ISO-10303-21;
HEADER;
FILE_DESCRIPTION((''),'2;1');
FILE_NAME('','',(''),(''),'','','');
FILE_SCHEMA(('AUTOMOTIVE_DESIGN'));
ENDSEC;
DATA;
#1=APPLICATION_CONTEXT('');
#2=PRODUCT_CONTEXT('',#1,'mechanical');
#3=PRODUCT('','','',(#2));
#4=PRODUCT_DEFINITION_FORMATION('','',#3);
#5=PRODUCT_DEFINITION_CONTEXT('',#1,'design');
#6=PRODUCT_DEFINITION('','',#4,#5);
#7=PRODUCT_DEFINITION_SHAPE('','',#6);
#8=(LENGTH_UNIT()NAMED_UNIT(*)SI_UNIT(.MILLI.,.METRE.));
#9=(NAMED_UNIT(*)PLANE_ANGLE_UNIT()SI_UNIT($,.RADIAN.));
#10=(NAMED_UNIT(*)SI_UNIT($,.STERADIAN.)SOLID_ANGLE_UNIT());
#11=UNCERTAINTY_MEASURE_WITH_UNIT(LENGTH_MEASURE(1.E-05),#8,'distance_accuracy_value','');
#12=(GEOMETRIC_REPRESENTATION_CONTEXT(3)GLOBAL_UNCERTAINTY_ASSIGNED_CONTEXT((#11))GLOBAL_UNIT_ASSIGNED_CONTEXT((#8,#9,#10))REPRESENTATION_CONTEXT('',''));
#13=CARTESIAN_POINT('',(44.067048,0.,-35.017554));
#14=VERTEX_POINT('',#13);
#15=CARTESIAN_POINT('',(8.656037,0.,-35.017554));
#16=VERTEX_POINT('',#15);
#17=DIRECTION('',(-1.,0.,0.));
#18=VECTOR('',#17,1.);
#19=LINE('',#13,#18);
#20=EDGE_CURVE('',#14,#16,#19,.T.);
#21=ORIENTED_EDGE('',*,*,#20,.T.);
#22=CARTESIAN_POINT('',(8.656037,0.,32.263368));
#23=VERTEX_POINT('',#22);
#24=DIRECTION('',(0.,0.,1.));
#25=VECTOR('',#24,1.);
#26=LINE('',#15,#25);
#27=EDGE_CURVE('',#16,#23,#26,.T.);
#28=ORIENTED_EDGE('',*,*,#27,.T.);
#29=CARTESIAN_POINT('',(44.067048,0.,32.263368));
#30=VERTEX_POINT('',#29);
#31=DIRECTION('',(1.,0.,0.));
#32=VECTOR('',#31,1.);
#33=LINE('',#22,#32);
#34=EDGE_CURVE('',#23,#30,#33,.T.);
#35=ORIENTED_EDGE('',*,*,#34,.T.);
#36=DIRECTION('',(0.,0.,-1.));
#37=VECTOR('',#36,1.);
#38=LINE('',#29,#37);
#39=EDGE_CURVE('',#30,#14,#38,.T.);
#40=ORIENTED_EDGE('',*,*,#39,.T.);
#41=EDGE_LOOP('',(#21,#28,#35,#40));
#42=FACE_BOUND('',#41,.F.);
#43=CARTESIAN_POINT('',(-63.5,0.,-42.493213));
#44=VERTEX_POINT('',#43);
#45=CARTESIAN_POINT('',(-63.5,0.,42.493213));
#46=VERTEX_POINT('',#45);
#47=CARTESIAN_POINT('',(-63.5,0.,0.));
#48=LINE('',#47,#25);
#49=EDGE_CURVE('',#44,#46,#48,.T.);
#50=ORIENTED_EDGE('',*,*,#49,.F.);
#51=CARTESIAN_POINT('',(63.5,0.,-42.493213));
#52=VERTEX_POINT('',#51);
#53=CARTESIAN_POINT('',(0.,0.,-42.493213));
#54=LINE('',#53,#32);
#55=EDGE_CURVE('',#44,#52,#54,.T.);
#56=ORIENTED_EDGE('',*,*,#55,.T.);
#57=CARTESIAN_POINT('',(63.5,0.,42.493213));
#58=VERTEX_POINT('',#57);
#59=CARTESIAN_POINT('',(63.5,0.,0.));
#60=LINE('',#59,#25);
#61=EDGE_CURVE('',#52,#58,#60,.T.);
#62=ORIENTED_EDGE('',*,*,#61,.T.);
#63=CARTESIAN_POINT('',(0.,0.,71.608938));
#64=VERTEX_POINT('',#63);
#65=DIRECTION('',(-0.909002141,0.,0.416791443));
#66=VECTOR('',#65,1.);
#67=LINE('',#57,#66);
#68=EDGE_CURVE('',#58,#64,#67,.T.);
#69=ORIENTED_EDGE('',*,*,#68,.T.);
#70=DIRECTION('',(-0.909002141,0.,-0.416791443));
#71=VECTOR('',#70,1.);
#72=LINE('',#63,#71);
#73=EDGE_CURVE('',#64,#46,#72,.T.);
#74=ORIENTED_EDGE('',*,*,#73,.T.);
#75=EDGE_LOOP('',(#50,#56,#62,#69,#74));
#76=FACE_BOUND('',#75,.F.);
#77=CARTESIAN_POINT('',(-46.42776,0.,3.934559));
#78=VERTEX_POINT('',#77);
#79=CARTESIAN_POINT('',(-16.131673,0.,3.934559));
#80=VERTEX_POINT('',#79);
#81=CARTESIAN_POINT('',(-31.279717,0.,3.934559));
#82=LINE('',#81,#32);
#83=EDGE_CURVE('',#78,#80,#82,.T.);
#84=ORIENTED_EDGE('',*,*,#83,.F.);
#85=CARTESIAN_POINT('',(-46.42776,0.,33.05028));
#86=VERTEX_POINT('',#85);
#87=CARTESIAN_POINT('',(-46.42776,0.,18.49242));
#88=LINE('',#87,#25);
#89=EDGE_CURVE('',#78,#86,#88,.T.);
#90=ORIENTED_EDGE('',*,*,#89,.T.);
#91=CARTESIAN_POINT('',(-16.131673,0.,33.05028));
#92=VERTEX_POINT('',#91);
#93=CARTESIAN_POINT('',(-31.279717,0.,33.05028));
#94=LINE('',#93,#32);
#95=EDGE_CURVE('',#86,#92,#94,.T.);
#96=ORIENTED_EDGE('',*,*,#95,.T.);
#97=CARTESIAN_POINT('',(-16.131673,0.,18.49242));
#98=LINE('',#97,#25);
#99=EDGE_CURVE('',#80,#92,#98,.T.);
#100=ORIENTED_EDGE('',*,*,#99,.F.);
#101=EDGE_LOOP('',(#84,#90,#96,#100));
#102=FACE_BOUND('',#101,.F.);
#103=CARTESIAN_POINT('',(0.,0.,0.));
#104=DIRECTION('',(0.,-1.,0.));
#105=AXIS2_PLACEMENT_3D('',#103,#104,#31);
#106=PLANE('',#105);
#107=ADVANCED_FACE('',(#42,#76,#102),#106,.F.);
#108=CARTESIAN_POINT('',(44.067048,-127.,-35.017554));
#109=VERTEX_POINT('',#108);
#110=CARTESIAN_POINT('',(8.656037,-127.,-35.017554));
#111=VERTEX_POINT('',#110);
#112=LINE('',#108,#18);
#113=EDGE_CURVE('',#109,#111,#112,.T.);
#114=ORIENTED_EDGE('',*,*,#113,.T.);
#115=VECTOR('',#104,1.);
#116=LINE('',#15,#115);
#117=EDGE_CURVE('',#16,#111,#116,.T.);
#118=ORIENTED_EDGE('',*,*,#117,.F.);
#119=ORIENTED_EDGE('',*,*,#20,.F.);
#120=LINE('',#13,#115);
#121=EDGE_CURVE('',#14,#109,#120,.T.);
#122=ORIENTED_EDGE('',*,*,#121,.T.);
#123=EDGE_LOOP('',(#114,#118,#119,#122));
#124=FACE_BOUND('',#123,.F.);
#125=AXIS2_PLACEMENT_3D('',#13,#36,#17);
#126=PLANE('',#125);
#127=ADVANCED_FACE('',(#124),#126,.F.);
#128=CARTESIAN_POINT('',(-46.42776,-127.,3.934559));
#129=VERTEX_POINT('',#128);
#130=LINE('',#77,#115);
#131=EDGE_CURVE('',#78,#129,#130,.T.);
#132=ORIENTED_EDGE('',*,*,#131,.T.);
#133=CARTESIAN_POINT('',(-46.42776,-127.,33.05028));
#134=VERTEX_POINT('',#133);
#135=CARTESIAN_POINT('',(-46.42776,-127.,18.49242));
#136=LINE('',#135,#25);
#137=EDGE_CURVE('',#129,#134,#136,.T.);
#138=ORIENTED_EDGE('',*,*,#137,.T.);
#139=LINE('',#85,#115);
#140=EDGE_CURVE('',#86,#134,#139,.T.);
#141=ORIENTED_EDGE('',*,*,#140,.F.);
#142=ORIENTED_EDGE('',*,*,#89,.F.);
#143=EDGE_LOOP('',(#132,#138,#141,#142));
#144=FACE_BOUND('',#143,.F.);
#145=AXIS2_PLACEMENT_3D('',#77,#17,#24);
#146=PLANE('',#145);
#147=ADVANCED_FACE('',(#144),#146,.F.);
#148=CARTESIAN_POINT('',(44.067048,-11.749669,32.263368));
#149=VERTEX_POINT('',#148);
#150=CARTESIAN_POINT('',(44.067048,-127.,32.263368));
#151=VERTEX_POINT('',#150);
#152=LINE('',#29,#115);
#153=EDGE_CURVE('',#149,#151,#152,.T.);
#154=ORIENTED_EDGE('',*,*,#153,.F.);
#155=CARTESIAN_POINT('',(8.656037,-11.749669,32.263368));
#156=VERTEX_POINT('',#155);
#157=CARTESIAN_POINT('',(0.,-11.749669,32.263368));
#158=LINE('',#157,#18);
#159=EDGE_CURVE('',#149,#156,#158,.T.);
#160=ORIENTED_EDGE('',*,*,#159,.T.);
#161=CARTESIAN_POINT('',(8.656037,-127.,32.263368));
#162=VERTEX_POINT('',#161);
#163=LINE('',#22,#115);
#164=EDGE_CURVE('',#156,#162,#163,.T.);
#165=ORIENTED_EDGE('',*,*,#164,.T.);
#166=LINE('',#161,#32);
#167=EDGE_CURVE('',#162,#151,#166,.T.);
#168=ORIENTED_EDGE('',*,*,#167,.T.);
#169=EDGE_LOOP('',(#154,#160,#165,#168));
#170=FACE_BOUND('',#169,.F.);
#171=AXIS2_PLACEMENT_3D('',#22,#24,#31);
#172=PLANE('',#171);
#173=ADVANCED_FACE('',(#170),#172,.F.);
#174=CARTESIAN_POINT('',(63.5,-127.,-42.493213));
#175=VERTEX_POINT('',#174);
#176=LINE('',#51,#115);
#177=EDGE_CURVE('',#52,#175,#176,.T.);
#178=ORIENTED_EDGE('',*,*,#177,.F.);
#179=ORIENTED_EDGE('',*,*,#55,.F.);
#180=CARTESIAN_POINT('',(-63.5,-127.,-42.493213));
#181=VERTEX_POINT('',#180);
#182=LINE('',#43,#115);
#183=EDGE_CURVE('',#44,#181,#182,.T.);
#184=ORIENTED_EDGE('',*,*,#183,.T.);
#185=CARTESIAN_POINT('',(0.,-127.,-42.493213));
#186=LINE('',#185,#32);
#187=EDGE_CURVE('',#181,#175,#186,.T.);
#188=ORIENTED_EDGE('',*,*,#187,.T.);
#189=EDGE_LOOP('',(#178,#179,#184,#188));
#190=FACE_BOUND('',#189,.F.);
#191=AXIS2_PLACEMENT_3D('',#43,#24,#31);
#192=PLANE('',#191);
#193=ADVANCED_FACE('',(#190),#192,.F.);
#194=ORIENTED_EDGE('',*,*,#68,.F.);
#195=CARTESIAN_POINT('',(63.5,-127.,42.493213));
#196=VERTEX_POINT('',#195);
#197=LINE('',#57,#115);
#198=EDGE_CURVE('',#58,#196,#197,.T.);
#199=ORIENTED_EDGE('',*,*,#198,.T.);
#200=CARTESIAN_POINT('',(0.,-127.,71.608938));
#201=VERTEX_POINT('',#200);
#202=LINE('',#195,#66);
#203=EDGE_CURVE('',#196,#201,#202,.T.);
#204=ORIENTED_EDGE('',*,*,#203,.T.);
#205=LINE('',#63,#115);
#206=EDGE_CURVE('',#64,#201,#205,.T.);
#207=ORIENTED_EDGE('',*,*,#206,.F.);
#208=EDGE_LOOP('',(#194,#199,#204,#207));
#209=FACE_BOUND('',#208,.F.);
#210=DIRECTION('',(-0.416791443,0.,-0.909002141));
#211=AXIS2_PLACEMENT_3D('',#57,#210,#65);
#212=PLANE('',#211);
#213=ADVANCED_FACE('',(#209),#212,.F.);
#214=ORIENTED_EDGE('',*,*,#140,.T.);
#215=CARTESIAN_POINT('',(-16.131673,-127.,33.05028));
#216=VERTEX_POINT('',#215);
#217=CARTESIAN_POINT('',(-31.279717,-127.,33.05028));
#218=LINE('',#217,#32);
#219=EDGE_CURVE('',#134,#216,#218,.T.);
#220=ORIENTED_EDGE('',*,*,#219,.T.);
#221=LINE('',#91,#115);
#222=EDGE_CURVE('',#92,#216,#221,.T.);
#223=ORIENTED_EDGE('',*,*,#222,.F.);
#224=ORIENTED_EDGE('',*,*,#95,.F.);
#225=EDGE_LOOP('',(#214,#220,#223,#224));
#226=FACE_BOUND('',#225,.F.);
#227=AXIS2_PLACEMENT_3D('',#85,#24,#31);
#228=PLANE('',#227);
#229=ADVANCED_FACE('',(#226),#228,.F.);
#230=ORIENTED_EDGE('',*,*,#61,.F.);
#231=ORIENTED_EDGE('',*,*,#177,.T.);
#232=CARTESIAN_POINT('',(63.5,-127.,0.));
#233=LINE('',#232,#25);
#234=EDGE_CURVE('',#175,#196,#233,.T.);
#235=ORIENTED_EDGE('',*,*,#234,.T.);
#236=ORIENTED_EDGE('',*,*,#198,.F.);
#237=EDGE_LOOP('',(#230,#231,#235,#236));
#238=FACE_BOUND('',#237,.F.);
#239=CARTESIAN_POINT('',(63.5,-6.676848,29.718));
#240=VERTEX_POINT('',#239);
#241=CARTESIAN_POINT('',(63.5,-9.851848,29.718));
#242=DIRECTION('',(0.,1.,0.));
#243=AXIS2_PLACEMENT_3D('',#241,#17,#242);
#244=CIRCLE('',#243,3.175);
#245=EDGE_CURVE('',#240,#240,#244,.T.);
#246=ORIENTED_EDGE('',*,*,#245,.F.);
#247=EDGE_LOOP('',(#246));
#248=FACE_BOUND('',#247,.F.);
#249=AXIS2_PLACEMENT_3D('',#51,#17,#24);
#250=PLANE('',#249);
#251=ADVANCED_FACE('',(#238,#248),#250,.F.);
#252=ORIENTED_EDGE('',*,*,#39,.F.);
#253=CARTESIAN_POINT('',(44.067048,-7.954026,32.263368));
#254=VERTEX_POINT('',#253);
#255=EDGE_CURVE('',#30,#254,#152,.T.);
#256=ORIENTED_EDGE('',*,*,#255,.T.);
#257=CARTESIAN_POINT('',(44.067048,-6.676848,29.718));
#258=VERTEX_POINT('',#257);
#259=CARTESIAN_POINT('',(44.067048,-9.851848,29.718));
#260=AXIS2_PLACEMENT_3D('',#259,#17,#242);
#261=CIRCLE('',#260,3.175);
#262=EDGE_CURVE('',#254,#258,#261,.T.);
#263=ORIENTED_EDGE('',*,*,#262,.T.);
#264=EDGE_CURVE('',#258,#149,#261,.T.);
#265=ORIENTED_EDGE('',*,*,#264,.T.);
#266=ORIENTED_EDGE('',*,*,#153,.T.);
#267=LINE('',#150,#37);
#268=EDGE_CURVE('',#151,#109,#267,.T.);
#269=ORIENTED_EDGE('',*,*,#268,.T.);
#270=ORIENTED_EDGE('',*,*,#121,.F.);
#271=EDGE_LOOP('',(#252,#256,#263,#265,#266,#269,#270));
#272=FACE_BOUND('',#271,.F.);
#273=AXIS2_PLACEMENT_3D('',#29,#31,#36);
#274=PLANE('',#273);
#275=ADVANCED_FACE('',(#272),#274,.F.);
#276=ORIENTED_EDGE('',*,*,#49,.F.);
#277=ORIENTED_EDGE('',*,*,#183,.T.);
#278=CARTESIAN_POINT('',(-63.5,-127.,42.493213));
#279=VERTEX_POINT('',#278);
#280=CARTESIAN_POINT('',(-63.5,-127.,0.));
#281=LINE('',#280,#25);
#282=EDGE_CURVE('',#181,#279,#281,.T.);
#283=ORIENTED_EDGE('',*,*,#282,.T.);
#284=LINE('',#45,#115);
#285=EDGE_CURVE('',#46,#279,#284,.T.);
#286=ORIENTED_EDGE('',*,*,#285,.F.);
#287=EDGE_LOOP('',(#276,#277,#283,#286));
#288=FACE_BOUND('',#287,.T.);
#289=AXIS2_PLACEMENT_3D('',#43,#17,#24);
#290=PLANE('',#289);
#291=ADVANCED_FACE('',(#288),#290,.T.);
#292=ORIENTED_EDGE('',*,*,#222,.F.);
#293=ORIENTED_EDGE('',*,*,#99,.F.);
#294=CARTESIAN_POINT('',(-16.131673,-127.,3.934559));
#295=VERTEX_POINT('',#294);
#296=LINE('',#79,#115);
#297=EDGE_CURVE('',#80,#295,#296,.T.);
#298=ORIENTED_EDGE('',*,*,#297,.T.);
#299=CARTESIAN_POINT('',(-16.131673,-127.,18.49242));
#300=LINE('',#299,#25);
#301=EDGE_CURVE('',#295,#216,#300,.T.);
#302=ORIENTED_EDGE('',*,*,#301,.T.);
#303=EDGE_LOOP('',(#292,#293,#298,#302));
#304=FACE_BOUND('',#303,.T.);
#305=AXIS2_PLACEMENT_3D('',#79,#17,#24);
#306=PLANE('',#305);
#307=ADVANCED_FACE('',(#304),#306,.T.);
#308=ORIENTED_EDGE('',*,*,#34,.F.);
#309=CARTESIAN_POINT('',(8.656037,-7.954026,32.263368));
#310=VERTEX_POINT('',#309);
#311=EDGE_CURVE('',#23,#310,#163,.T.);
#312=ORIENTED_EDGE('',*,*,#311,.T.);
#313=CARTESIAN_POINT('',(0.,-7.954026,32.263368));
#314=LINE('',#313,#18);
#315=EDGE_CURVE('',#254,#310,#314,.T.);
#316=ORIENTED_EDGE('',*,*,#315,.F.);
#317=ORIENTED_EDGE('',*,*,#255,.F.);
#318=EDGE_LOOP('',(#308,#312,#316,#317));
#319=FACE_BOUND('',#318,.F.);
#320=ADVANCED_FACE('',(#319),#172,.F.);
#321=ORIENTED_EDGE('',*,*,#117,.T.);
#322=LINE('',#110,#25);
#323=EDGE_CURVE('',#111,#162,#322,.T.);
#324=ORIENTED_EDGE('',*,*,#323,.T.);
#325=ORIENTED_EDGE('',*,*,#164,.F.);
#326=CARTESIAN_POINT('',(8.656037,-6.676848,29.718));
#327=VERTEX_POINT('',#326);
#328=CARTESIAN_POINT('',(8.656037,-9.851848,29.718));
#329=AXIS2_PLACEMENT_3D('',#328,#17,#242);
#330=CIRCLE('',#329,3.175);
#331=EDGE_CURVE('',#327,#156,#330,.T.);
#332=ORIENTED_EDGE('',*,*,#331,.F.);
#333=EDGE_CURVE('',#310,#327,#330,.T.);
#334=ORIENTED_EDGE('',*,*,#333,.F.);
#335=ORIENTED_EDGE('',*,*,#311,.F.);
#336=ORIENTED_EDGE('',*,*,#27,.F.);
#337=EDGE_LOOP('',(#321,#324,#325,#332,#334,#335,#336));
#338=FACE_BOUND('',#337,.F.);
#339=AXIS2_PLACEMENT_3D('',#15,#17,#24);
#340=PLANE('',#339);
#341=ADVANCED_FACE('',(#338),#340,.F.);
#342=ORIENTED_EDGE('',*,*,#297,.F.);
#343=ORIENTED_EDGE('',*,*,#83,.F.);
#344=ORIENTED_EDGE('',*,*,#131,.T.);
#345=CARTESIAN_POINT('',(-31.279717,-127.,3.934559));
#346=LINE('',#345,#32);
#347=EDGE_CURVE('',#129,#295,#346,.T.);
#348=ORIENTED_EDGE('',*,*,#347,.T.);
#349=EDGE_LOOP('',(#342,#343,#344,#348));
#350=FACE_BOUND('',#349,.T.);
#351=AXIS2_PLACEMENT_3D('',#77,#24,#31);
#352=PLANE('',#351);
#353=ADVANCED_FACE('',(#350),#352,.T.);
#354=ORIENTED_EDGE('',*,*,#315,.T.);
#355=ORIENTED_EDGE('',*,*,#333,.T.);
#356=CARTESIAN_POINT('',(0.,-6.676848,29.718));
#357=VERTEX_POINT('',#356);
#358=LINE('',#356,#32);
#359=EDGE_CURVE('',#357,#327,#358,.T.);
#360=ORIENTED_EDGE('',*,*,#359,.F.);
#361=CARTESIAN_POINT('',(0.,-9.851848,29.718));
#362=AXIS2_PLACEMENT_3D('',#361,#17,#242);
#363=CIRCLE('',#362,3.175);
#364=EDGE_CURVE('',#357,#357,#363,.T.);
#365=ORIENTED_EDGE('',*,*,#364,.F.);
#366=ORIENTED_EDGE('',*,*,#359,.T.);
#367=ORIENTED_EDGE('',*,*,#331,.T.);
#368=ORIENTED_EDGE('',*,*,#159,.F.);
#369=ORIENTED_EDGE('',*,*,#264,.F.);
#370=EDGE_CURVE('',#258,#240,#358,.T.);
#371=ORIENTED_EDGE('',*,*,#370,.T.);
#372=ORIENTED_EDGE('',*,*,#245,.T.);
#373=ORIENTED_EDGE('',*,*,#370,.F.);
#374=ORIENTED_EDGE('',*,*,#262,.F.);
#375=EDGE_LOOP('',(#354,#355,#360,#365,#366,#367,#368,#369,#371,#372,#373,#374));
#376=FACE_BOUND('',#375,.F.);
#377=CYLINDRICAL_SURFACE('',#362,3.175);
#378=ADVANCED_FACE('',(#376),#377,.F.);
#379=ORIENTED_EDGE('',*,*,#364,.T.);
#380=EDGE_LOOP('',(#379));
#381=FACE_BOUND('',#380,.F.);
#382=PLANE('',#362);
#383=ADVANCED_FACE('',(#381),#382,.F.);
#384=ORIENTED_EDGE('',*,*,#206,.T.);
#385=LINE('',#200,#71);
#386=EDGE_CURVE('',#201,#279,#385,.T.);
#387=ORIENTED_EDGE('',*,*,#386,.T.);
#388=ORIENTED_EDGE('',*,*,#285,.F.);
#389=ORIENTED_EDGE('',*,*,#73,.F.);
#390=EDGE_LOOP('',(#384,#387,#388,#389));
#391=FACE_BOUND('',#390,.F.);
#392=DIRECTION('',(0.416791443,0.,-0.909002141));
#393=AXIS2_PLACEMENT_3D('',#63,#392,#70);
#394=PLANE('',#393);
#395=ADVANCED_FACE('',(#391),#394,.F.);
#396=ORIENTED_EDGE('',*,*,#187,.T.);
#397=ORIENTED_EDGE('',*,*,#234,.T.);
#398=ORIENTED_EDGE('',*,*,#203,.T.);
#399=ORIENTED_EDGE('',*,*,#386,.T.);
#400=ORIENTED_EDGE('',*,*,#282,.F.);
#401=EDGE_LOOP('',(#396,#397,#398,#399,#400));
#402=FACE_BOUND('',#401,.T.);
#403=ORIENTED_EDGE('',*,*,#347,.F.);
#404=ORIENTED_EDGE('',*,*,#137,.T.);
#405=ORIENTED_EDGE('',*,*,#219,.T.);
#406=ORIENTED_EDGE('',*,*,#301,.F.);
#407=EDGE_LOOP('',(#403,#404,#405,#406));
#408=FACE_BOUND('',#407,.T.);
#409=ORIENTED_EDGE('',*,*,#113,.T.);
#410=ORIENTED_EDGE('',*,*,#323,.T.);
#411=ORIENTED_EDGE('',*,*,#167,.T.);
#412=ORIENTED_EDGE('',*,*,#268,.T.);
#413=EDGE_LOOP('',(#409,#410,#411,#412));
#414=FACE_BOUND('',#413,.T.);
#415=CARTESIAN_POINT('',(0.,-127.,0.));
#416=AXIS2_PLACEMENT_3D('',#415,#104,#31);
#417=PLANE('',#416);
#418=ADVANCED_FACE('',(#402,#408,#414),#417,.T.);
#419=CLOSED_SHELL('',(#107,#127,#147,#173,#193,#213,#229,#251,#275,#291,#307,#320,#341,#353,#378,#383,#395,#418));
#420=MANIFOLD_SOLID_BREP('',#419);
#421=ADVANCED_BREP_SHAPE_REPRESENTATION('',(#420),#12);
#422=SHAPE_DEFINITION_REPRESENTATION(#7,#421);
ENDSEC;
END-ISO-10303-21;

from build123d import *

# Parameters (mm, degrees)
F0_W     = 127
F0_H     = 84.9864259362
F0_W_2   = 30.296087265
F0_H_2   = 29.115720652
F1_DEPTH = 127
F3_D     = 6.35
F3_DEPTH = 63.501


with BuildPart() as f1:
    # F0 (on Front) → F1 (new body)
    with BuildSketch(Plane.XZ):
        Rectangle(F0_W, F0_H)
        Polygon((8.6560370401, -1.79e-08), (8.6560370401, 32.2633683681), (44.0670475364, 32.2633683681), (44.0670475364, -35.0175537169), (8.6560370401, -35.0175537169), align=None, mode=Mode.SUBTRACT)
        with Locations((-31.2797166407, 18.4924197383)):
            Rectangle(F0_W_2, F0_H_2, mode=Mode.SUBTRACT)
        Polygon((0, 71.6089382768), (-63.5, 42.4932129681), (63.5, 42.4932129681), align=None)
    extrude(amount=F1_DEPTH)

    # F3 (through all, one way)
    with BuildSketch(Plane(origin=(0, 0, 0), x_dir=(0, 1, 0), z_dir=(-1, 0, 0))):
        with Locations((-9.8518477753, -29.7180004418)):
            Circle(F3_D / 2)
    extrude(amount=-F3_DEPTH, mode=Mode.SUBTRACT)


solid = f1.part
